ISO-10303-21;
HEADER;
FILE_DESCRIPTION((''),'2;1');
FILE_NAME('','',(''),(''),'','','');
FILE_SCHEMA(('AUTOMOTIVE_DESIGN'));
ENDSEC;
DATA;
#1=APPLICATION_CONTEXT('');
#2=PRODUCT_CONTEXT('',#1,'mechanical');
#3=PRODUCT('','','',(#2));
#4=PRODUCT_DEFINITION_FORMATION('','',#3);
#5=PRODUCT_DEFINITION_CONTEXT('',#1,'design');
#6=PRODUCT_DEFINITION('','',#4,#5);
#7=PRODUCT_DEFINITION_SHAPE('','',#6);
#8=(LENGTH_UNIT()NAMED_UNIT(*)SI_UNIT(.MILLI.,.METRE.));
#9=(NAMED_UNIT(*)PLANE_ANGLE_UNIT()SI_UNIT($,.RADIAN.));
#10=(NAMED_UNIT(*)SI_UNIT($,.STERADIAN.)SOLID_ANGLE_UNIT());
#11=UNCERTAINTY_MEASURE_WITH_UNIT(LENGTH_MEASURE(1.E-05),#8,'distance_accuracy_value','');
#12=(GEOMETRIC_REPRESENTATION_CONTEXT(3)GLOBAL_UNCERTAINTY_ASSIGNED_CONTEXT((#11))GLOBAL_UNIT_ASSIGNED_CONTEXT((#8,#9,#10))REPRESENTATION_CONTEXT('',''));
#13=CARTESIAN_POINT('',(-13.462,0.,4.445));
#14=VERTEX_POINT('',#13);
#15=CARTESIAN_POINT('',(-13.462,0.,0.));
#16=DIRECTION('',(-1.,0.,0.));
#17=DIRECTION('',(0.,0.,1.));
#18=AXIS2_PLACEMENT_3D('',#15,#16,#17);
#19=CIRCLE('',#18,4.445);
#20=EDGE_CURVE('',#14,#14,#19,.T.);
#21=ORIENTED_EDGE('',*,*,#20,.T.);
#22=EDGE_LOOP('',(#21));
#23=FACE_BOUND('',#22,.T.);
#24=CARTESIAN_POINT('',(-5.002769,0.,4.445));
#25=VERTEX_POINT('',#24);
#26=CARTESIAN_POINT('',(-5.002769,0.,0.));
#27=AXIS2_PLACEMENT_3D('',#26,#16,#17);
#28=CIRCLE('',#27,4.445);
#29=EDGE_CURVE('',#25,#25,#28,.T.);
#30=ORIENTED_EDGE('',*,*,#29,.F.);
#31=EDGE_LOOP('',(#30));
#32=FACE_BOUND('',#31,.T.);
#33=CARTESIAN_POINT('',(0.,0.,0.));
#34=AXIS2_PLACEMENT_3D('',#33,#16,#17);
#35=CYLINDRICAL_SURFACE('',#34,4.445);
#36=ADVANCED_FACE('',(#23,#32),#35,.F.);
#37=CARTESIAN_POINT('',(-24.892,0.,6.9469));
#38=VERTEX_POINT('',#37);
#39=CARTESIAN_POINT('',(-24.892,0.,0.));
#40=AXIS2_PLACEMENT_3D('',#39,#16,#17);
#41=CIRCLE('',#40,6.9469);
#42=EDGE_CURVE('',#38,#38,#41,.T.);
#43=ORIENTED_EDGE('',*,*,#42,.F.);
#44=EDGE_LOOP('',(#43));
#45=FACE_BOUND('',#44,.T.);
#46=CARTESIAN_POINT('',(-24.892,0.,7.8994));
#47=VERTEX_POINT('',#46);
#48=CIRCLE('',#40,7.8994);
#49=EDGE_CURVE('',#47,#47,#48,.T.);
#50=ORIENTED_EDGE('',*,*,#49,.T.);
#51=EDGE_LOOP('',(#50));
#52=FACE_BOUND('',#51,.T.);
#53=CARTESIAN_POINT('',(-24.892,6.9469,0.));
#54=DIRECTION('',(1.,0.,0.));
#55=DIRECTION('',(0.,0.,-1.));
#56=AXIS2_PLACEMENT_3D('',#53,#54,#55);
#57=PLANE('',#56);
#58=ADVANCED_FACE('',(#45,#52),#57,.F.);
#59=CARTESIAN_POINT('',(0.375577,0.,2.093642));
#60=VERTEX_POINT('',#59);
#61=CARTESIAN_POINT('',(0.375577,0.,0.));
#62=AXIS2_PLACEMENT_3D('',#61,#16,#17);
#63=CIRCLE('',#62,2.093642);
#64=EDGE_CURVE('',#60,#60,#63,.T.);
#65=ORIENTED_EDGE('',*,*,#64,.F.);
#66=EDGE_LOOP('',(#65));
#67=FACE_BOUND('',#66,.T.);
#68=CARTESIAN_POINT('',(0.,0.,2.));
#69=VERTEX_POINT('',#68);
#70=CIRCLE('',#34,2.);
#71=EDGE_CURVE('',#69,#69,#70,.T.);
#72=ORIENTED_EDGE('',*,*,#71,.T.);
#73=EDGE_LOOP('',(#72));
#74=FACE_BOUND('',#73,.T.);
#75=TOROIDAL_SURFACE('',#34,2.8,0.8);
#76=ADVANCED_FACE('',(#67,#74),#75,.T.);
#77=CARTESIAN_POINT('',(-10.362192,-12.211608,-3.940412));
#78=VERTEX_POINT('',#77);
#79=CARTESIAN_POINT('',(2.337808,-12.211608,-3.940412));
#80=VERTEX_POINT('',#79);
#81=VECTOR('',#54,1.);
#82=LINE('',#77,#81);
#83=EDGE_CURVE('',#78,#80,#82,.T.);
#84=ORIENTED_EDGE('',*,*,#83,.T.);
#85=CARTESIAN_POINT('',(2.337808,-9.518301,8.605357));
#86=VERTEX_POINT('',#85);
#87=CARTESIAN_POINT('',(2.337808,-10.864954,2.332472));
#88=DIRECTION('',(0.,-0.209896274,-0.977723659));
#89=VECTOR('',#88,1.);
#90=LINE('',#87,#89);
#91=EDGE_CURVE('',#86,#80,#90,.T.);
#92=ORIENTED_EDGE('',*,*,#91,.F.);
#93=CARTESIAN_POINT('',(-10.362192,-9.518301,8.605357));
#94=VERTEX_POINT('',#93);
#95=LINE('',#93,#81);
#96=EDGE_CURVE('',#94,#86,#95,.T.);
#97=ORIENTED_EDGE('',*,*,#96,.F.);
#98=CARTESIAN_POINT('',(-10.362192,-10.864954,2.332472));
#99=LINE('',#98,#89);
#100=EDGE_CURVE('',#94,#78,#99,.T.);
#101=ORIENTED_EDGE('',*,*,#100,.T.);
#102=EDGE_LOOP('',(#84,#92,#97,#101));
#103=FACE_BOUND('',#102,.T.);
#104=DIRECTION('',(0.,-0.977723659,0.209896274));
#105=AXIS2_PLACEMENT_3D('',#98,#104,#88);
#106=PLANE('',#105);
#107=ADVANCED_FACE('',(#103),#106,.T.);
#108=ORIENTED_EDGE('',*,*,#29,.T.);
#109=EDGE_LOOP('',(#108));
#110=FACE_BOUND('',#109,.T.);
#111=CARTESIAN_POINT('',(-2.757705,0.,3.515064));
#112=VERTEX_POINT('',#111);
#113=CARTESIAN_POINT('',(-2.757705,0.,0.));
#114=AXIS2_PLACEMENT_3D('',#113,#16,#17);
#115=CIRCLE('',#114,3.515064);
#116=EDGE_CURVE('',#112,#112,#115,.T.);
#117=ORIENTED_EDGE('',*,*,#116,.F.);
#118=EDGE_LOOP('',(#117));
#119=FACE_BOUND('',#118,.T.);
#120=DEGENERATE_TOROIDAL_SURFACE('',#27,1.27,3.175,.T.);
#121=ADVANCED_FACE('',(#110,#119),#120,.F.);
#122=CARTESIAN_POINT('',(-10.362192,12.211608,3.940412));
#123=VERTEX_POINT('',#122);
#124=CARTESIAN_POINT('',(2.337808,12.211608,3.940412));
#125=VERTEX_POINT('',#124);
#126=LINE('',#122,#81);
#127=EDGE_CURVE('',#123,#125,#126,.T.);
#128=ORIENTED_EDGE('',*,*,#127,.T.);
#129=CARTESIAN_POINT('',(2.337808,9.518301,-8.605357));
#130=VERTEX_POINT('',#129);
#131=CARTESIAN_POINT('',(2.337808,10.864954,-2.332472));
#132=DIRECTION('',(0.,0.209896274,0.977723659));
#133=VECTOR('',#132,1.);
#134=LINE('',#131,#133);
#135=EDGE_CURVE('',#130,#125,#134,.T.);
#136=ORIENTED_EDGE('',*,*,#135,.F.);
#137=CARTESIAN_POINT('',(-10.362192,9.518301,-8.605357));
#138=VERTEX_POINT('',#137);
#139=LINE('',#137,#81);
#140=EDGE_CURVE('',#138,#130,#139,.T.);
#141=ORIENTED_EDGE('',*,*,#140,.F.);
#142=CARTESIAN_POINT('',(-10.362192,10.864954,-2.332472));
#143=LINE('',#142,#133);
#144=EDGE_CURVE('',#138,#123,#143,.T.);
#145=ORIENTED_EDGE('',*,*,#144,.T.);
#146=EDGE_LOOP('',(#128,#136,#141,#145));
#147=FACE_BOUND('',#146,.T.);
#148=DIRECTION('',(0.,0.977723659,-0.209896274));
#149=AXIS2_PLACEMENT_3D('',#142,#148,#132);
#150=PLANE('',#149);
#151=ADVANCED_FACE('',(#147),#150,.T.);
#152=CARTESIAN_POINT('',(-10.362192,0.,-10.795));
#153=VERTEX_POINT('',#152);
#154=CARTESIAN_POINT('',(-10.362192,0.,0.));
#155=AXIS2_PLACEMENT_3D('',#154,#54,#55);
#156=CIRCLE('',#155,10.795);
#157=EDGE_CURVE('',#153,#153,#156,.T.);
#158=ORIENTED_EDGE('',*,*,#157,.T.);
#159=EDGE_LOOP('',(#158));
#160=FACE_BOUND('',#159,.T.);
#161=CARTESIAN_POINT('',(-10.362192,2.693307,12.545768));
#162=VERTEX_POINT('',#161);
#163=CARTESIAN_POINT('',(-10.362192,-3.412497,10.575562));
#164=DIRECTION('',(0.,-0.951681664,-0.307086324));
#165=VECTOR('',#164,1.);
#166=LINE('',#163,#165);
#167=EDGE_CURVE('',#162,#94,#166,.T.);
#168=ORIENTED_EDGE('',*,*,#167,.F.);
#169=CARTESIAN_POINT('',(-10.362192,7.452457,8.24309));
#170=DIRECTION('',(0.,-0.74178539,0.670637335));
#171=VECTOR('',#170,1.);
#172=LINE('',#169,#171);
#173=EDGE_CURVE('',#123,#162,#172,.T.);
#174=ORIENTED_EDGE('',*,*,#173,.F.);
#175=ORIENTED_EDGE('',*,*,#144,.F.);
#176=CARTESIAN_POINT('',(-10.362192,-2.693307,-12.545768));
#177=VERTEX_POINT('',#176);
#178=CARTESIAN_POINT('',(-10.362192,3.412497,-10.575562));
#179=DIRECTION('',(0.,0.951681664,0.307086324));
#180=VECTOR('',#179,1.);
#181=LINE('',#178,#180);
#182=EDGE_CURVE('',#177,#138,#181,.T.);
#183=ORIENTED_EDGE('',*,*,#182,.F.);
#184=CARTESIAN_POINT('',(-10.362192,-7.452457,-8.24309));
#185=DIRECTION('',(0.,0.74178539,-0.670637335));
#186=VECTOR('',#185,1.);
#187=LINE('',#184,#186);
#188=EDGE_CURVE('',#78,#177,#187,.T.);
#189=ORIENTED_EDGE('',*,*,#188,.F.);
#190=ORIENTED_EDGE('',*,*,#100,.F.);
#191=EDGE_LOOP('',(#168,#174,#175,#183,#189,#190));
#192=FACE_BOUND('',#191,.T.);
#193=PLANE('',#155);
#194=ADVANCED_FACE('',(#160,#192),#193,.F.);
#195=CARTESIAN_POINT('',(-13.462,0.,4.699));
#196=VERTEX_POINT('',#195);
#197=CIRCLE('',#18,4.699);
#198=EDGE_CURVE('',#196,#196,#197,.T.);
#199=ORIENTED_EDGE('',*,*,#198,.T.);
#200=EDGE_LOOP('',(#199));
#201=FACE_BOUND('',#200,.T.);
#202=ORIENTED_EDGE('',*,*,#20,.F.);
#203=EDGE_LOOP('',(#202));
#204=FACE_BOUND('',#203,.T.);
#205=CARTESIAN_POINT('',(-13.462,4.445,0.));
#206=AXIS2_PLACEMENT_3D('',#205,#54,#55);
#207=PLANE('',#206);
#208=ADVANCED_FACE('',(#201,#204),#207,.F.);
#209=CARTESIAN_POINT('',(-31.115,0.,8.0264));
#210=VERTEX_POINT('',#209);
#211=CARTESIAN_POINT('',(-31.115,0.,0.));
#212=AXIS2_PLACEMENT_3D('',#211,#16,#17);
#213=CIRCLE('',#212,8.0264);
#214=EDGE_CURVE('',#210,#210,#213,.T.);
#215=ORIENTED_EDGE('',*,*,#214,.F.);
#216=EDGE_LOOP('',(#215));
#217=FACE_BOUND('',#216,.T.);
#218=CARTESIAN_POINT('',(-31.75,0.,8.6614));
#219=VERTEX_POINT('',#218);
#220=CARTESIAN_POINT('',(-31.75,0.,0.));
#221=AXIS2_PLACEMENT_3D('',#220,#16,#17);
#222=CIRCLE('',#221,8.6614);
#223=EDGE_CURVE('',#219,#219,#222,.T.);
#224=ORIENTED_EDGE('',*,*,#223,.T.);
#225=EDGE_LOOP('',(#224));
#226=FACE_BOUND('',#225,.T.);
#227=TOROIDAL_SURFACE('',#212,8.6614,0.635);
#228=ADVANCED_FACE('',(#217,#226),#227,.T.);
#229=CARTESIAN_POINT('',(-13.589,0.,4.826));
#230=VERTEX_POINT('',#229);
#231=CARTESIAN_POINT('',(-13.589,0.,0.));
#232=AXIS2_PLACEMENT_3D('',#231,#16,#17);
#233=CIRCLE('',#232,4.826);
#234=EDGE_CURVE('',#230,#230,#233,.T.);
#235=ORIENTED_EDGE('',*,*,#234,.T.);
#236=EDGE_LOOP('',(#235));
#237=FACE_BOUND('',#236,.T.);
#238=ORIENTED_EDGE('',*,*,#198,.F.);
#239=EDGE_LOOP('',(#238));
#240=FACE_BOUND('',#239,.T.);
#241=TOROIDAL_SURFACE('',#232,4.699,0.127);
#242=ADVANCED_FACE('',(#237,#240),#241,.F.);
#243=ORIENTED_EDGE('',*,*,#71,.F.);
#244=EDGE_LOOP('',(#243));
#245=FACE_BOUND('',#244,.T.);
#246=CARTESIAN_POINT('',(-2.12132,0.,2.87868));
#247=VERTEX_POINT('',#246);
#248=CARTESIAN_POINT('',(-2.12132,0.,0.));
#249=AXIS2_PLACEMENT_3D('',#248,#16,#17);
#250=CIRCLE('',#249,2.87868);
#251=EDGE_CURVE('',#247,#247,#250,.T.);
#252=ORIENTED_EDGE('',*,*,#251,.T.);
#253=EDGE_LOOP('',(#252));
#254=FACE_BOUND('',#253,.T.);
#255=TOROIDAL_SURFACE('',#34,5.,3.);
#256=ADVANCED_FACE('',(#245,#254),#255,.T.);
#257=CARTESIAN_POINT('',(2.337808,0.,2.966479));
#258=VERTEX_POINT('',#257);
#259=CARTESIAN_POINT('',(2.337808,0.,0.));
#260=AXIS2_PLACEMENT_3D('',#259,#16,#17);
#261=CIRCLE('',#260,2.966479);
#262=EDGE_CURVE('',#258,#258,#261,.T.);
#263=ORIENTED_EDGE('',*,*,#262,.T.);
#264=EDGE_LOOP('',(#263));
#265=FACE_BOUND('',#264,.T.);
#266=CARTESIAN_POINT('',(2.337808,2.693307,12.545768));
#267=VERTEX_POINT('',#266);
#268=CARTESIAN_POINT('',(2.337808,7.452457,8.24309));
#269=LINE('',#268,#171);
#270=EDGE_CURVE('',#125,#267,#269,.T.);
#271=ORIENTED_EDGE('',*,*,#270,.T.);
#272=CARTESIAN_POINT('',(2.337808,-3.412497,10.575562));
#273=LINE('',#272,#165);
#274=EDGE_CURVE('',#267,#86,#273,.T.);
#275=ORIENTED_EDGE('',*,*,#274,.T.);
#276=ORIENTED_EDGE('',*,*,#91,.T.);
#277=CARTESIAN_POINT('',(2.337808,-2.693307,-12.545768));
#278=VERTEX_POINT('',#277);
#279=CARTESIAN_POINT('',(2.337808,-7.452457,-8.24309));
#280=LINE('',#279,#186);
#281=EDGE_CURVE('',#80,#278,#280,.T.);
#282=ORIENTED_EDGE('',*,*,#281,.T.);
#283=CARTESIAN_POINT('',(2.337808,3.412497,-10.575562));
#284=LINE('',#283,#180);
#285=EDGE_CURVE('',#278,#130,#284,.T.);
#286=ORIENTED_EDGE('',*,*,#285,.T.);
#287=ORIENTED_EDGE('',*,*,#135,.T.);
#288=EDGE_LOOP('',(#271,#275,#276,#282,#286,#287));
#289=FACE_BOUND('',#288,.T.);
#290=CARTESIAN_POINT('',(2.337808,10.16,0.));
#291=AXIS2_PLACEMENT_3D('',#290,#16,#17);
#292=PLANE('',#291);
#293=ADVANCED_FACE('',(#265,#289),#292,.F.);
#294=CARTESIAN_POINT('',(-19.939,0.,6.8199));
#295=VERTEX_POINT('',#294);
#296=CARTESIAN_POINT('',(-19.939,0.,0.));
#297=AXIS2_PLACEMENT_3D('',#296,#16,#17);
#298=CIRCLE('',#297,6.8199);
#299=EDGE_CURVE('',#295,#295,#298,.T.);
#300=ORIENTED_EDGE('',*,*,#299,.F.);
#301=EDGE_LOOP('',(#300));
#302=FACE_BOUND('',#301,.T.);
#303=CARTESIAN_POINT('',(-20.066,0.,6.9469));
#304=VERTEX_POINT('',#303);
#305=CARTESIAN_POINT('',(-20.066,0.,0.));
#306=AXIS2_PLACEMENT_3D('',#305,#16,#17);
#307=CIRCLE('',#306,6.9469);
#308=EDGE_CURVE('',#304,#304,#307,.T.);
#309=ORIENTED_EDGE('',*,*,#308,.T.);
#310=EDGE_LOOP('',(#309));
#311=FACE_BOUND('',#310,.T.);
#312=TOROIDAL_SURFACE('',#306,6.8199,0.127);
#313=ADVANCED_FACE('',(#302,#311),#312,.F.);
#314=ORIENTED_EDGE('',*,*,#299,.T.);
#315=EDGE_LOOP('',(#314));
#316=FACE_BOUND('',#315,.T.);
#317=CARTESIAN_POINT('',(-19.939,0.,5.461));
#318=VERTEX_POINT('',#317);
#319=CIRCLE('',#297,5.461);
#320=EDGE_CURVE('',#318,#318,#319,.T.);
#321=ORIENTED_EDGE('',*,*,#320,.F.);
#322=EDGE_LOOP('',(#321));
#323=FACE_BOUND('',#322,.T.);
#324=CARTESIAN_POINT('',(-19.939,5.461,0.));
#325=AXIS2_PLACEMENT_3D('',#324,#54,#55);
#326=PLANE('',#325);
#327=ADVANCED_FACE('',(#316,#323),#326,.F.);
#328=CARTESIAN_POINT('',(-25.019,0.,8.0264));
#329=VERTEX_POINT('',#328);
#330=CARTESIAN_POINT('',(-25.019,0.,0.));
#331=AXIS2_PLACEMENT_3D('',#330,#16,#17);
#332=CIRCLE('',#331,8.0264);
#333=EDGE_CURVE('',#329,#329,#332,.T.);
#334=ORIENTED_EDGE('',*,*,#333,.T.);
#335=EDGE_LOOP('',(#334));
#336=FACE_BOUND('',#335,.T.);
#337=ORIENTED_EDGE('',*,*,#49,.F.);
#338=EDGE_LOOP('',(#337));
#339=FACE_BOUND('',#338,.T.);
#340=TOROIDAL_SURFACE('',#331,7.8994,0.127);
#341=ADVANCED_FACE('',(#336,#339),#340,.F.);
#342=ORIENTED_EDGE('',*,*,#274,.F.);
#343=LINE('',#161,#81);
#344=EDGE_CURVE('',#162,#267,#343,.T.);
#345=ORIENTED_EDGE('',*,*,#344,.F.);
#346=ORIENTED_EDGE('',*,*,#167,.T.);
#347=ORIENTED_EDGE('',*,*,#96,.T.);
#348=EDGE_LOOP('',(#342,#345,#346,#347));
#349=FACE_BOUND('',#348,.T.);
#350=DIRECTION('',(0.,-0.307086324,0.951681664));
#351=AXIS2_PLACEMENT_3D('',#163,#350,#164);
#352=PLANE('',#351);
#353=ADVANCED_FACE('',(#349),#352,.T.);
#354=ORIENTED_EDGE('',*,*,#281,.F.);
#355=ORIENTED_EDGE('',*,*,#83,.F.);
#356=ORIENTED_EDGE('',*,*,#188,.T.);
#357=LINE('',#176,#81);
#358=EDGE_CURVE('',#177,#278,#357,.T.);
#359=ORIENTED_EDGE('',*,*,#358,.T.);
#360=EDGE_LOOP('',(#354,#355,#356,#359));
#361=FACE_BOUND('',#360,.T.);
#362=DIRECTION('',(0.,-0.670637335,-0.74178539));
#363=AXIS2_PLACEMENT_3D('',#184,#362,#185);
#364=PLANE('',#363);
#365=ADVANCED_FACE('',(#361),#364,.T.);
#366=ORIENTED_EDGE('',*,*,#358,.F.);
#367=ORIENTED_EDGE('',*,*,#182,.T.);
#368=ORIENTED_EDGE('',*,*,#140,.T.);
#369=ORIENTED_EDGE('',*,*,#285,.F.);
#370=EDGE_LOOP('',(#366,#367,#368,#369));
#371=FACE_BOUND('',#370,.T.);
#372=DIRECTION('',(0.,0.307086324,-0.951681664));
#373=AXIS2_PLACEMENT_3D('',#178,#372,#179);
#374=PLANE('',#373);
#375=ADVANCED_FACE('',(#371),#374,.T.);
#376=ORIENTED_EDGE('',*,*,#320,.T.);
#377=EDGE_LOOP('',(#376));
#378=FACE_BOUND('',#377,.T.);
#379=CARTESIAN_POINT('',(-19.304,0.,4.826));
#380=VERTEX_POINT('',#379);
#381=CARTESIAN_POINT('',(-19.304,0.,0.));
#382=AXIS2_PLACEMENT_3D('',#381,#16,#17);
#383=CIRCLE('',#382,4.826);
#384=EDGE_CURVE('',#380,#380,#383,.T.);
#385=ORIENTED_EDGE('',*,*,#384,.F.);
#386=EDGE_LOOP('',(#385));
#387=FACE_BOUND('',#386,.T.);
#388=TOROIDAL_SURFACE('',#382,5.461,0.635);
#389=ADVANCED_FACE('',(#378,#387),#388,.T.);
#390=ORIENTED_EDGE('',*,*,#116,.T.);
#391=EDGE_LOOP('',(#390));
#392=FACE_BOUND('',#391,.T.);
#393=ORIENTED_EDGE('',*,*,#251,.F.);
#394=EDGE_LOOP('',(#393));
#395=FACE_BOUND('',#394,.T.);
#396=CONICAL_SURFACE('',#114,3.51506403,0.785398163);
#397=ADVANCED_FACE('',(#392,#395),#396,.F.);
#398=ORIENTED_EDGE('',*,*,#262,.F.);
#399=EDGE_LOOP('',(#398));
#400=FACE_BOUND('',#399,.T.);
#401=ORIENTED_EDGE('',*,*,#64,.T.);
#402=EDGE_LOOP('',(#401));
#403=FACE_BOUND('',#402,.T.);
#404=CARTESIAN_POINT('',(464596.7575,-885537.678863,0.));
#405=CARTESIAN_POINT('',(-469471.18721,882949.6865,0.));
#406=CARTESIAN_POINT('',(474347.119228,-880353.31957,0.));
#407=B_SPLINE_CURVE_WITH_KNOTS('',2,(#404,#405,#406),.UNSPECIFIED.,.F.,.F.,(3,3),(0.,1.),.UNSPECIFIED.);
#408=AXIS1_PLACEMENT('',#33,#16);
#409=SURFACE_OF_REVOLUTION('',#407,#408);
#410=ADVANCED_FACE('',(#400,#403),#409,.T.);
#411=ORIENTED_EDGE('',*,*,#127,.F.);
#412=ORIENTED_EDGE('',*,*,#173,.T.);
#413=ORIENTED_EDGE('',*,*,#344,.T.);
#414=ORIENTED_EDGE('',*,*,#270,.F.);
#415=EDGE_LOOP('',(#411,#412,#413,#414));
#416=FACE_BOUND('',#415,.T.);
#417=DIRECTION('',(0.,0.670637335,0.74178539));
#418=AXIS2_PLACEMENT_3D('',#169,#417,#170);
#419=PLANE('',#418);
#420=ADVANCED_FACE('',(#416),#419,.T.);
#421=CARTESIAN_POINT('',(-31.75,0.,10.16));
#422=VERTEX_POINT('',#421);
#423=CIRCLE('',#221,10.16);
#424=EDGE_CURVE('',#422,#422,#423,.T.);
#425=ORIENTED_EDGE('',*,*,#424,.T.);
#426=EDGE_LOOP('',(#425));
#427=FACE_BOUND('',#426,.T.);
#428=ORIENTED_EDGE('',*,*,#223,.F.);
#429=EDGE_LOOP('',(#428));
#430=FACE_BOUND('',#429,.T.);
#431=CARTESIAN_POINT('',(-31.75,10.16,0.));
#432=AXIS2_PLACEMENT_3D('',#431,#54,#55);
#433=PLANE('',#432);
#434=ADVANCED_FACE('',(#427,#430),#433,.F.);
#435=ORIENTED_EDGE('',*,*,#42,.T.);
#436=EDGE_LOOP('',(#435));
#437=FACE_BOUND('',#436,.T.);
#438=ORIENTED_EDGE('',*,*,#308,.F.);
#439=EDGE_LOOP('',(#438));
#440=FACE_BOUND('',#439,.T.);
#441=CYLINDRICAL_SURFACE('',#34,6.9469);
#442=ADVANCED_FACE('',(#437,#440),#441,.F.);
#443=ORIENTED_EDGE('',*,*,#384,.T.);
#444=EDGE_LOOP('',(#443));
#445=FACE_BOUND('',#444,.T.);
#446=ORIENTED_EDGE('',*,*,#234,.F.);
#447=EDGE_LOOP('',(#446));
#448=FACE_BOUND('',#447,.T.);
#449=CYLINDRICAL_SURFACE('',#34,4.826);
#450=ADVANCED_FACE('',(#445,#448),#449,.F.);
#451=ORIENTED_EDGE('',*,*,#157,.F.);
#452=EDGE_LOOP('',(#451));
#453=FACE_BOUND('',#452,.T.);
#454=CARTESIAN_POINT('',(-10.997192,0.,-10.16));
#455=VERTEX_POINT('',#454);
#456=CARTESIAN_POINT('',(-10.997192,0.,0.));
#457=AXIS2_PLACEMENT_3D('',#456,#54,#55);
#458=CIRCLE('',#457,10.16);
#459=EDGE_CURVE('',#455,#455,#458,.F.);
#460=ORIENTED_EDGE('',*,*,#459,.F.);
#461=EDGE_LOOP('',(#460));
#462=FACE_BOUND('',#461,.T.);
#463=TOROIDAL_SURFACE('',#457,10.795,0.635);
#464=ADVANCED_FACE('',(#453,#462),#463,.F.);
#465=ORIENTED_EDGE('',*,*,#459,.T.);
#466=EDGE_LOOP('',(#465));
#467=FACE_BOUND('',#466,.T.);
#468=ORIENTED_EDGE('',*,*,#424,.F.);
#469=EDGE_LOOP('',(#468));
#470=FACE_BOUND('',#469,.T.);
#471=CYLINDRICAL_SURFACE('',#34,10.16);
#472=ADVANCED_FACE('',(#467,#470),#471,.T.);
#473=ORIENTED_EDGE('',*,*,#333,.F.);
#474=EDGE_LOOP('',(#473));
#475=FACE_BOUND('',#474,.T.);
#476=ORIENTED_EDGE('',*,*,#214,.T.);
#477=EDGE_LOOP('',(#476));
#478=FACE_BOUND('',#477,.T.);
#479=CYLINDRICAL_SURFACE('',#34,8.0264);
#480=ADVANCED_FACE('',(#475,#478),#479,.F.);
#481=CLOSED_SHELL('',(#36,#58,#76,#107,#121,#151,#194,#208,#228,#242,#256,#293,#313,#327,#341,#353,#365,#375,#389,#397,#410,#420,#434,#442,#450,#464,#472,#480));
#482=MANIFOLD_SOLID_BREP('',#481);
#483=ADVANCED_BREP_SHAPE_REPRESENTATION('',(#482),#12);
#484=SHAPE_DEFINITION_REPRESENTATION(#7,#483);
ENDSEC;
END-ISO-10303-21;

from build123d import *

# Parameters (mm, degrees)
SKETCH4_R           = 10.16
BOSS_EXTRUDE1_DEPTH = 12.7
FILLET1_R           = 0.635


with BuildPart() as part:
    # Sketch1 → Revolve1 (revolve)
    with BuildSketch(Plane.XY, mode=Mode.PRIVATE) as revolve1_sk:
        with BuildLine():
            Line((-2.121320344, 2.878679656), (-2.757704717, 3.51506403))
            ThreePointArc((-2.757704717, 3.51506403), (-3.78774885, 4.203317516), (-5.002768748, 4.445))
            Line((-5.002768748, 4.445), (-13.462, 4.445))
            Line((-13.462, 4.445), (-13.462, 4.699))
            ThreePointArc((-13.462, 4.699), (-13.499197439, 4.788802561), (-13.589, 4.826))
            Line((-13.589, 4.826), (-19.304, 4.826))
            ThreePointArc((-19.304, 4.826), (-19.753012806, 5.011987194), (-19.939, 5.461))
            Line((-19.939, 5.461), (-19.939, 6.8199))
            ThreePointArc((-19.939, 6.8199), (-19.976197439, 6.909702561), (-20.066, 6.9469))
            Line((-20.066, 6.9469), (-24.892, 6.9469))
            Line((-24.892, 6.9469), (-24.892, 7.8994))
            ThreePointArc((-24.892, 7.8994), (-24.929197439, 7.989202561), (-25.019, 8.0264))
            Line((-25.019, 8.0264), (-31.115, 8.0264))
            ThreePointArc((-31.115, 8.0264), (-31.564012806, 8.212387194), (-31.75, 8.6614))
            Line((-31.75, 8.6614), (-31.75, 10.16))
            Line((-31.75, 10.16), (-10.362192304, 10.16))
            Line((-10.362192304, 10.16), (2.337807696, 10.16))
            Line((2.337807696, 10.16), (2.337807696, 2.966479395))
            add(Edge.make_bspline(
                [(2.337807696, 2.966479395), (1.321354961, 2.596520855), (0.37557725, 2.093641926)],
                knots=[0, 0, 0, 1, 1, 1], degree=2))
            ThreePointArc((0.37557725, 2.093641926), (0.193537516, 2.023763419), (0, 2))
            ThreePointArc((0, 2), (-1.148050297, 2.228361402), (-2.121320344, 2.878679656))
        make_face()
    revolve(revolve1_sk.sketch.rotate(Axis((0, 0, 0), (1, 0, 0)), 90), axis=Axis((0, 0, 0), (1, 0, 0)))

    # Sketch4 → Boss-Extrude1 (add)
    with BuildSketch(Plane(origin=(2.337807696, 0, 0), x_dir=(0, 0, -1), z_dir=(1, 0, 0))):
        Polygon((3.940411868, -12.211607701), (12.545768424, -2.693307071), (8.605356556, 9.51830063), (-3.940411868, 12.211607701), (-12.545768424, 2.693307071), (-8.605356556, -9.51830063), align=None)
        with Locations(Location((0, 0, 0), (0, 0, 180))):
            Circle(SKETCH4_R, mode=Mode.SUBTRACT)
    extrude(amount=-BOSS_EXTRUDE1_DEPTH)

    # Fillet1
    fillet1_edges = [part.edges().sort_by_distance(p)[0] for p in [
        (-10.362192304, 0, -10.16),
    ]]
    fillet(fillet1_edges, radius=FILLET1_R)


solid = part.part
